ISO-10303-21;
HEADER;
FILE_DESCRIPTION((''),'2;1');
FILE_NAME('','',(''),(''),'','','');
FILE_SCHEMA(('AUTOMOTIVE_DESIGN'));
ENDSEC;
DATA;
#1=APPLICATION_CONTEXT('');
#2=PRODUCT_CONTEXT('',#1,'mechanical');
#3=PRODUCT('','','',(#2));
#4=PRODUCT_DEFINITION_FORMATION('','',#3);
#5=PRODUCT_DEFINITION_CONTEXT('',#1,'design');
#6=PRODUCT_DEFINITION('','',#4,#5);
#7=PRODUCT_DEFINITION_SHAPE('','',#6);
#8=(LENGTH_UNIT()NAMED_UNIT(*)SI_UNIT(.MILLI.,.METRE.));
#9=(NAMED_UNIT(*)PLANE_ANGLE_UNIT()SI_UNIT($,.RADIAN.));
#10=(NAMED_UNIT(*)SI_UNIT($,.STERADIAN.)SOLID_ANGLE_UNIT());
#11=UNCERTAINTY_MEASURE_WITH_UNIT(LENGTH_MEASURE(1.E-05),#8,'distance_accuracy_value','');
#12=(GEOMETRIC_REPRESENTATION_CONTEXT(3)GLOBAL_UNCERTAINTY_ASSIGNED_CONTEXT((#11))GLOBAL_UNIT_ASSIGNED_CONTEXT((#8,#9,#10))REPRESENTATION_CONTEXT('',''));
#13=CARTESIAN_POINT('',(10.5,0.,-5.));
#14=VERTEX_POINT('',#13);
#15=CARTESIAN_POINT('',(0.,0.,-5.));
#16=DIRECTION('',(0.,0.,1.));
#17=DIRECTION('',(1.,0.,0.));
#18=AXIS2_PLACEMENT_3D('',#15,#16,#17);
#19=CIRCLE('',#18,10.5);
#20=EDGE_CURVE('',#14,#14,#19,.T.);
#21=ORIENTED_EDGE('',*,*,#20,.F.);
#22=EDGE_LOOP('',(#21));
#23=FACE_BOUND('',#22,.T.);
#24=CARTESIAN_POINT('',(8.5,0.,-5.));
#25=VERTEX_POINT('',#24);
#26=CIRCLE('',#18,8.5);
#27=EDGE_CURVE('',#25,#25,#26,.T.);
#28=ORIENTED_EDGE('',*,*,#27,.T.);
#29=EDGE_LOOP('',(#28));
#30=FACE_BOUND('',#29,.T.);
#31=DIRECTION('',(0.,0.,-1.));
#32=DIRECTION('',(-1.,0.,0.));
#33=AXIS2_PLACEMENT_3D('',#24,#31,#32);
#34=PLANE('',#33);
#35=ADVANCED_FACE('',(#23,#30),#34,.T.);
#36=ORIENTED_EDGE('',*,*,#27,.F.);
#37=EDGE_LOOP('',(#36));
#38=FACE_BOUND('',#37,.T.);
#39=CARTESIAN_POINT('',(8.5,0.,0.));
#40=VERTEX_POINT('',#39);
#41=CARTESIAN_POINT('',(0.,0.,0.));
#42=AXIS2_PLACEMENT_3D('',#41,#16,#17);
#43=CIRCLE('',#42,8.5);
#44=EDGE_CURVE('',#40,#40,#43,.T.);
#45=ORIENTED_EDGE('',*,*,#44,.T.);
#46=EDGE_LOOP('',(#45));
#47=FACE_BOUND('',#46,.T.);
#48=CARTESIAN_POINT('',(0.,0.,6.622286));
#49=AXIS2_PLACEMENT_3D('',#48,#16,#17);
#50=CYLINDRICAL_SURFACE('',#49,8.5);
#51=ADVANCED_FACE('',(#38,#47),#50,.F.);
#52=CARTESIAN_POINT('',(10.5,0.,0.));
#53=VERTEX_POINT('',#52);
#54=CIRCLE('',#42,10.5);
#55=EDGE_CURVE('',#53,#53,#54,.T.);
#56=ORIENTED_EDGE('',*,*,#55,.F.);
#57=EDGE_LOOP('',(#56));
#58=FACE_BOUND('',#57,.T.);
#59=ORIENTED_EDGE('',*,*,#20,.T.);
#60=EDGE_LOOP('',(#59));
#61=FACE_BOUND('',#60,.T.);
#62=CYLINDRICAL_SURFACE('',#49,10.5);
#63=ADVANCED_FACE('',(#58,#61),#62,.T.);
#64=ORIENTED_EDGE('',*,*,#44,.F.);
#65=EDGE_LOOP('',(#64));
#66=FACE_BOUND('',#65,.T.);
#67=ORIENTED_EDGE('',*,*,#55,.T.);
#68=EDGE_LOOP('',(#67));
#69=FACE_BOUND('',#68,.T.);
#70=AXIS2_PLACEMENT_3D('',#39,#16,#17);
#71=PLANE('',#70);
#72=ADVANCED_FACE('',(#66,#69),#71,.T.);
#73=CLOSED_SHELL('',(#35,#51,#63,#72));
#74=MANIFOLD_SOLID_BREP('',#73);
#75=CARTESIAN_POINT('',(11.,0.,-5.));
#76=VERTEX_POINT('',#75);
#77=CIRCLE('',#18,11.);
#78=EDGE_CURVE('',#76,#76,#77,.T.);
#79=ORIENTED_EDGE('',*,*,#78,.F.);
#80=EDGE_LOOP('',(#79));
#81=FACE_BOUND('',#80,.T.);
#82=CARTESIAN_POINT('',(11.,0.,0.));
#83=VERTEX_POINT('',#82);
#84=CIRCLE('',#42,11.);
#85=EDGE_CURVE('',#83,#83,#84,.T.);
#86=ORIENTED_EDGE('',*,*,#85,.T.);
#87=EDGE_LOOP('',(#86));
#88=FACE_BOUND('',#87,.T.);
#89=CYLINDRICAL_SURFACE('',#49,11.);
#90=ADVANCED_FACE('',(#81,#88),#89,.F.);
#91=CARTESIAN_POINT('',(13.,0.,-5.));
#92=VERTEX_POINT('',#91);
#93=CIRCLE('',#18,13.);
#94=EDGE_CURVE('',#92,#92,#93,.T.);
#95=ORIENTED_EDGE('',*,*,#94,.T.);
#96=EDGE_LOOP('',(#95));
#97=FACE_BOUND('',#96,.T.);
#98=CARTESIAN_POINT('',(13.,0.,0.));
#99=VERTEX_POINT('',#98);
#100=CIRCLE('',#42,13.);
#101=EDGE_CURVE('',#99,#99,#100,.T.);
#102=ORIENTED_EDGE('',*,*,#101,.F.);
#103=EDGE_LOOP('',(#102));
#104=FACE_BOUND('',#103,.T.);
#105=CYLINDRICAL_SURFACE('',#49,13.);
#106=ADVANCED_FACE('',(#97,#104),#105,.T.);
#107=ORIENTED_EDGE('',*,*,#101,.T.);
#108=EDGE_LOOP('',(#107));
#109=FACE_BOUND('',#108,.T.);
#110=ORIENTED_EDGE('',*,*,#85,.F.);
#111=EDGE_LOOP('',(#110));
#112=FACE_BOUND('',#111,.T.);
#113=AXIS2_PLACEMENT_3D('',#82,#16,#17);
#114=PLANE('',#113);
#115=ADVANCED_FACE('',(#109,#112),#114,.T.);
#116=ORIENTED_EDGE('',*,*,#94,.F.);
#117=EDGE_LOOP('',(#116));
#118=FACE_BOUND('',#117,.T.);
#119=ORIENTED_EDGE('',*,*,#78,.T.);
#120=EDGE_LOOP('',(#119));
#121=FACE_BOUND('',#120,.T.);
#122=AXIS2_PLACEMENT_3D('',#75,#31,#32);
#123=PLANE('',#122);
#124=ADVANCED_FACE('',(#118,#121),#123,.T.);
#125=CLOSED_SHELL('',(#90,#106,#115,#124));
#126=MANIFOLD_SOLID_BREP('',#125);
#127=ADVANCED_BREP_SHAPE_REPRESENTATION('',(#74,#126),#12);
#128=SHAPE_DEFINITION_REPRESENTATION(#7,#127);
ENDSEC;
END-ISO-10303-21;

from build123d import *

# Parameters (mm, degrees)
ESQUISSE1_W = 2
ESQUISSE1_H = 5


with BuildPart() as part:
    # Esquisse1 → Révolution1 (revolve)
    with BuildSketch(Plane(origin=(0, 0, 0), x_dir=(1, 0, 0), z_dir=(0, 1, 0))):
        with Locations((9.5, 2.5)):
            Rectangle(ESQUISSE1_W, ESQUISSE1_H)
        with Locations((12, 2.5)):
            Rectangle(ESQUISSE1_W, ESQUISSE1_H)
    revolve(axis=Axis((0, 0, 6.622286364), (0, 0, -1)))


solid = part.part
